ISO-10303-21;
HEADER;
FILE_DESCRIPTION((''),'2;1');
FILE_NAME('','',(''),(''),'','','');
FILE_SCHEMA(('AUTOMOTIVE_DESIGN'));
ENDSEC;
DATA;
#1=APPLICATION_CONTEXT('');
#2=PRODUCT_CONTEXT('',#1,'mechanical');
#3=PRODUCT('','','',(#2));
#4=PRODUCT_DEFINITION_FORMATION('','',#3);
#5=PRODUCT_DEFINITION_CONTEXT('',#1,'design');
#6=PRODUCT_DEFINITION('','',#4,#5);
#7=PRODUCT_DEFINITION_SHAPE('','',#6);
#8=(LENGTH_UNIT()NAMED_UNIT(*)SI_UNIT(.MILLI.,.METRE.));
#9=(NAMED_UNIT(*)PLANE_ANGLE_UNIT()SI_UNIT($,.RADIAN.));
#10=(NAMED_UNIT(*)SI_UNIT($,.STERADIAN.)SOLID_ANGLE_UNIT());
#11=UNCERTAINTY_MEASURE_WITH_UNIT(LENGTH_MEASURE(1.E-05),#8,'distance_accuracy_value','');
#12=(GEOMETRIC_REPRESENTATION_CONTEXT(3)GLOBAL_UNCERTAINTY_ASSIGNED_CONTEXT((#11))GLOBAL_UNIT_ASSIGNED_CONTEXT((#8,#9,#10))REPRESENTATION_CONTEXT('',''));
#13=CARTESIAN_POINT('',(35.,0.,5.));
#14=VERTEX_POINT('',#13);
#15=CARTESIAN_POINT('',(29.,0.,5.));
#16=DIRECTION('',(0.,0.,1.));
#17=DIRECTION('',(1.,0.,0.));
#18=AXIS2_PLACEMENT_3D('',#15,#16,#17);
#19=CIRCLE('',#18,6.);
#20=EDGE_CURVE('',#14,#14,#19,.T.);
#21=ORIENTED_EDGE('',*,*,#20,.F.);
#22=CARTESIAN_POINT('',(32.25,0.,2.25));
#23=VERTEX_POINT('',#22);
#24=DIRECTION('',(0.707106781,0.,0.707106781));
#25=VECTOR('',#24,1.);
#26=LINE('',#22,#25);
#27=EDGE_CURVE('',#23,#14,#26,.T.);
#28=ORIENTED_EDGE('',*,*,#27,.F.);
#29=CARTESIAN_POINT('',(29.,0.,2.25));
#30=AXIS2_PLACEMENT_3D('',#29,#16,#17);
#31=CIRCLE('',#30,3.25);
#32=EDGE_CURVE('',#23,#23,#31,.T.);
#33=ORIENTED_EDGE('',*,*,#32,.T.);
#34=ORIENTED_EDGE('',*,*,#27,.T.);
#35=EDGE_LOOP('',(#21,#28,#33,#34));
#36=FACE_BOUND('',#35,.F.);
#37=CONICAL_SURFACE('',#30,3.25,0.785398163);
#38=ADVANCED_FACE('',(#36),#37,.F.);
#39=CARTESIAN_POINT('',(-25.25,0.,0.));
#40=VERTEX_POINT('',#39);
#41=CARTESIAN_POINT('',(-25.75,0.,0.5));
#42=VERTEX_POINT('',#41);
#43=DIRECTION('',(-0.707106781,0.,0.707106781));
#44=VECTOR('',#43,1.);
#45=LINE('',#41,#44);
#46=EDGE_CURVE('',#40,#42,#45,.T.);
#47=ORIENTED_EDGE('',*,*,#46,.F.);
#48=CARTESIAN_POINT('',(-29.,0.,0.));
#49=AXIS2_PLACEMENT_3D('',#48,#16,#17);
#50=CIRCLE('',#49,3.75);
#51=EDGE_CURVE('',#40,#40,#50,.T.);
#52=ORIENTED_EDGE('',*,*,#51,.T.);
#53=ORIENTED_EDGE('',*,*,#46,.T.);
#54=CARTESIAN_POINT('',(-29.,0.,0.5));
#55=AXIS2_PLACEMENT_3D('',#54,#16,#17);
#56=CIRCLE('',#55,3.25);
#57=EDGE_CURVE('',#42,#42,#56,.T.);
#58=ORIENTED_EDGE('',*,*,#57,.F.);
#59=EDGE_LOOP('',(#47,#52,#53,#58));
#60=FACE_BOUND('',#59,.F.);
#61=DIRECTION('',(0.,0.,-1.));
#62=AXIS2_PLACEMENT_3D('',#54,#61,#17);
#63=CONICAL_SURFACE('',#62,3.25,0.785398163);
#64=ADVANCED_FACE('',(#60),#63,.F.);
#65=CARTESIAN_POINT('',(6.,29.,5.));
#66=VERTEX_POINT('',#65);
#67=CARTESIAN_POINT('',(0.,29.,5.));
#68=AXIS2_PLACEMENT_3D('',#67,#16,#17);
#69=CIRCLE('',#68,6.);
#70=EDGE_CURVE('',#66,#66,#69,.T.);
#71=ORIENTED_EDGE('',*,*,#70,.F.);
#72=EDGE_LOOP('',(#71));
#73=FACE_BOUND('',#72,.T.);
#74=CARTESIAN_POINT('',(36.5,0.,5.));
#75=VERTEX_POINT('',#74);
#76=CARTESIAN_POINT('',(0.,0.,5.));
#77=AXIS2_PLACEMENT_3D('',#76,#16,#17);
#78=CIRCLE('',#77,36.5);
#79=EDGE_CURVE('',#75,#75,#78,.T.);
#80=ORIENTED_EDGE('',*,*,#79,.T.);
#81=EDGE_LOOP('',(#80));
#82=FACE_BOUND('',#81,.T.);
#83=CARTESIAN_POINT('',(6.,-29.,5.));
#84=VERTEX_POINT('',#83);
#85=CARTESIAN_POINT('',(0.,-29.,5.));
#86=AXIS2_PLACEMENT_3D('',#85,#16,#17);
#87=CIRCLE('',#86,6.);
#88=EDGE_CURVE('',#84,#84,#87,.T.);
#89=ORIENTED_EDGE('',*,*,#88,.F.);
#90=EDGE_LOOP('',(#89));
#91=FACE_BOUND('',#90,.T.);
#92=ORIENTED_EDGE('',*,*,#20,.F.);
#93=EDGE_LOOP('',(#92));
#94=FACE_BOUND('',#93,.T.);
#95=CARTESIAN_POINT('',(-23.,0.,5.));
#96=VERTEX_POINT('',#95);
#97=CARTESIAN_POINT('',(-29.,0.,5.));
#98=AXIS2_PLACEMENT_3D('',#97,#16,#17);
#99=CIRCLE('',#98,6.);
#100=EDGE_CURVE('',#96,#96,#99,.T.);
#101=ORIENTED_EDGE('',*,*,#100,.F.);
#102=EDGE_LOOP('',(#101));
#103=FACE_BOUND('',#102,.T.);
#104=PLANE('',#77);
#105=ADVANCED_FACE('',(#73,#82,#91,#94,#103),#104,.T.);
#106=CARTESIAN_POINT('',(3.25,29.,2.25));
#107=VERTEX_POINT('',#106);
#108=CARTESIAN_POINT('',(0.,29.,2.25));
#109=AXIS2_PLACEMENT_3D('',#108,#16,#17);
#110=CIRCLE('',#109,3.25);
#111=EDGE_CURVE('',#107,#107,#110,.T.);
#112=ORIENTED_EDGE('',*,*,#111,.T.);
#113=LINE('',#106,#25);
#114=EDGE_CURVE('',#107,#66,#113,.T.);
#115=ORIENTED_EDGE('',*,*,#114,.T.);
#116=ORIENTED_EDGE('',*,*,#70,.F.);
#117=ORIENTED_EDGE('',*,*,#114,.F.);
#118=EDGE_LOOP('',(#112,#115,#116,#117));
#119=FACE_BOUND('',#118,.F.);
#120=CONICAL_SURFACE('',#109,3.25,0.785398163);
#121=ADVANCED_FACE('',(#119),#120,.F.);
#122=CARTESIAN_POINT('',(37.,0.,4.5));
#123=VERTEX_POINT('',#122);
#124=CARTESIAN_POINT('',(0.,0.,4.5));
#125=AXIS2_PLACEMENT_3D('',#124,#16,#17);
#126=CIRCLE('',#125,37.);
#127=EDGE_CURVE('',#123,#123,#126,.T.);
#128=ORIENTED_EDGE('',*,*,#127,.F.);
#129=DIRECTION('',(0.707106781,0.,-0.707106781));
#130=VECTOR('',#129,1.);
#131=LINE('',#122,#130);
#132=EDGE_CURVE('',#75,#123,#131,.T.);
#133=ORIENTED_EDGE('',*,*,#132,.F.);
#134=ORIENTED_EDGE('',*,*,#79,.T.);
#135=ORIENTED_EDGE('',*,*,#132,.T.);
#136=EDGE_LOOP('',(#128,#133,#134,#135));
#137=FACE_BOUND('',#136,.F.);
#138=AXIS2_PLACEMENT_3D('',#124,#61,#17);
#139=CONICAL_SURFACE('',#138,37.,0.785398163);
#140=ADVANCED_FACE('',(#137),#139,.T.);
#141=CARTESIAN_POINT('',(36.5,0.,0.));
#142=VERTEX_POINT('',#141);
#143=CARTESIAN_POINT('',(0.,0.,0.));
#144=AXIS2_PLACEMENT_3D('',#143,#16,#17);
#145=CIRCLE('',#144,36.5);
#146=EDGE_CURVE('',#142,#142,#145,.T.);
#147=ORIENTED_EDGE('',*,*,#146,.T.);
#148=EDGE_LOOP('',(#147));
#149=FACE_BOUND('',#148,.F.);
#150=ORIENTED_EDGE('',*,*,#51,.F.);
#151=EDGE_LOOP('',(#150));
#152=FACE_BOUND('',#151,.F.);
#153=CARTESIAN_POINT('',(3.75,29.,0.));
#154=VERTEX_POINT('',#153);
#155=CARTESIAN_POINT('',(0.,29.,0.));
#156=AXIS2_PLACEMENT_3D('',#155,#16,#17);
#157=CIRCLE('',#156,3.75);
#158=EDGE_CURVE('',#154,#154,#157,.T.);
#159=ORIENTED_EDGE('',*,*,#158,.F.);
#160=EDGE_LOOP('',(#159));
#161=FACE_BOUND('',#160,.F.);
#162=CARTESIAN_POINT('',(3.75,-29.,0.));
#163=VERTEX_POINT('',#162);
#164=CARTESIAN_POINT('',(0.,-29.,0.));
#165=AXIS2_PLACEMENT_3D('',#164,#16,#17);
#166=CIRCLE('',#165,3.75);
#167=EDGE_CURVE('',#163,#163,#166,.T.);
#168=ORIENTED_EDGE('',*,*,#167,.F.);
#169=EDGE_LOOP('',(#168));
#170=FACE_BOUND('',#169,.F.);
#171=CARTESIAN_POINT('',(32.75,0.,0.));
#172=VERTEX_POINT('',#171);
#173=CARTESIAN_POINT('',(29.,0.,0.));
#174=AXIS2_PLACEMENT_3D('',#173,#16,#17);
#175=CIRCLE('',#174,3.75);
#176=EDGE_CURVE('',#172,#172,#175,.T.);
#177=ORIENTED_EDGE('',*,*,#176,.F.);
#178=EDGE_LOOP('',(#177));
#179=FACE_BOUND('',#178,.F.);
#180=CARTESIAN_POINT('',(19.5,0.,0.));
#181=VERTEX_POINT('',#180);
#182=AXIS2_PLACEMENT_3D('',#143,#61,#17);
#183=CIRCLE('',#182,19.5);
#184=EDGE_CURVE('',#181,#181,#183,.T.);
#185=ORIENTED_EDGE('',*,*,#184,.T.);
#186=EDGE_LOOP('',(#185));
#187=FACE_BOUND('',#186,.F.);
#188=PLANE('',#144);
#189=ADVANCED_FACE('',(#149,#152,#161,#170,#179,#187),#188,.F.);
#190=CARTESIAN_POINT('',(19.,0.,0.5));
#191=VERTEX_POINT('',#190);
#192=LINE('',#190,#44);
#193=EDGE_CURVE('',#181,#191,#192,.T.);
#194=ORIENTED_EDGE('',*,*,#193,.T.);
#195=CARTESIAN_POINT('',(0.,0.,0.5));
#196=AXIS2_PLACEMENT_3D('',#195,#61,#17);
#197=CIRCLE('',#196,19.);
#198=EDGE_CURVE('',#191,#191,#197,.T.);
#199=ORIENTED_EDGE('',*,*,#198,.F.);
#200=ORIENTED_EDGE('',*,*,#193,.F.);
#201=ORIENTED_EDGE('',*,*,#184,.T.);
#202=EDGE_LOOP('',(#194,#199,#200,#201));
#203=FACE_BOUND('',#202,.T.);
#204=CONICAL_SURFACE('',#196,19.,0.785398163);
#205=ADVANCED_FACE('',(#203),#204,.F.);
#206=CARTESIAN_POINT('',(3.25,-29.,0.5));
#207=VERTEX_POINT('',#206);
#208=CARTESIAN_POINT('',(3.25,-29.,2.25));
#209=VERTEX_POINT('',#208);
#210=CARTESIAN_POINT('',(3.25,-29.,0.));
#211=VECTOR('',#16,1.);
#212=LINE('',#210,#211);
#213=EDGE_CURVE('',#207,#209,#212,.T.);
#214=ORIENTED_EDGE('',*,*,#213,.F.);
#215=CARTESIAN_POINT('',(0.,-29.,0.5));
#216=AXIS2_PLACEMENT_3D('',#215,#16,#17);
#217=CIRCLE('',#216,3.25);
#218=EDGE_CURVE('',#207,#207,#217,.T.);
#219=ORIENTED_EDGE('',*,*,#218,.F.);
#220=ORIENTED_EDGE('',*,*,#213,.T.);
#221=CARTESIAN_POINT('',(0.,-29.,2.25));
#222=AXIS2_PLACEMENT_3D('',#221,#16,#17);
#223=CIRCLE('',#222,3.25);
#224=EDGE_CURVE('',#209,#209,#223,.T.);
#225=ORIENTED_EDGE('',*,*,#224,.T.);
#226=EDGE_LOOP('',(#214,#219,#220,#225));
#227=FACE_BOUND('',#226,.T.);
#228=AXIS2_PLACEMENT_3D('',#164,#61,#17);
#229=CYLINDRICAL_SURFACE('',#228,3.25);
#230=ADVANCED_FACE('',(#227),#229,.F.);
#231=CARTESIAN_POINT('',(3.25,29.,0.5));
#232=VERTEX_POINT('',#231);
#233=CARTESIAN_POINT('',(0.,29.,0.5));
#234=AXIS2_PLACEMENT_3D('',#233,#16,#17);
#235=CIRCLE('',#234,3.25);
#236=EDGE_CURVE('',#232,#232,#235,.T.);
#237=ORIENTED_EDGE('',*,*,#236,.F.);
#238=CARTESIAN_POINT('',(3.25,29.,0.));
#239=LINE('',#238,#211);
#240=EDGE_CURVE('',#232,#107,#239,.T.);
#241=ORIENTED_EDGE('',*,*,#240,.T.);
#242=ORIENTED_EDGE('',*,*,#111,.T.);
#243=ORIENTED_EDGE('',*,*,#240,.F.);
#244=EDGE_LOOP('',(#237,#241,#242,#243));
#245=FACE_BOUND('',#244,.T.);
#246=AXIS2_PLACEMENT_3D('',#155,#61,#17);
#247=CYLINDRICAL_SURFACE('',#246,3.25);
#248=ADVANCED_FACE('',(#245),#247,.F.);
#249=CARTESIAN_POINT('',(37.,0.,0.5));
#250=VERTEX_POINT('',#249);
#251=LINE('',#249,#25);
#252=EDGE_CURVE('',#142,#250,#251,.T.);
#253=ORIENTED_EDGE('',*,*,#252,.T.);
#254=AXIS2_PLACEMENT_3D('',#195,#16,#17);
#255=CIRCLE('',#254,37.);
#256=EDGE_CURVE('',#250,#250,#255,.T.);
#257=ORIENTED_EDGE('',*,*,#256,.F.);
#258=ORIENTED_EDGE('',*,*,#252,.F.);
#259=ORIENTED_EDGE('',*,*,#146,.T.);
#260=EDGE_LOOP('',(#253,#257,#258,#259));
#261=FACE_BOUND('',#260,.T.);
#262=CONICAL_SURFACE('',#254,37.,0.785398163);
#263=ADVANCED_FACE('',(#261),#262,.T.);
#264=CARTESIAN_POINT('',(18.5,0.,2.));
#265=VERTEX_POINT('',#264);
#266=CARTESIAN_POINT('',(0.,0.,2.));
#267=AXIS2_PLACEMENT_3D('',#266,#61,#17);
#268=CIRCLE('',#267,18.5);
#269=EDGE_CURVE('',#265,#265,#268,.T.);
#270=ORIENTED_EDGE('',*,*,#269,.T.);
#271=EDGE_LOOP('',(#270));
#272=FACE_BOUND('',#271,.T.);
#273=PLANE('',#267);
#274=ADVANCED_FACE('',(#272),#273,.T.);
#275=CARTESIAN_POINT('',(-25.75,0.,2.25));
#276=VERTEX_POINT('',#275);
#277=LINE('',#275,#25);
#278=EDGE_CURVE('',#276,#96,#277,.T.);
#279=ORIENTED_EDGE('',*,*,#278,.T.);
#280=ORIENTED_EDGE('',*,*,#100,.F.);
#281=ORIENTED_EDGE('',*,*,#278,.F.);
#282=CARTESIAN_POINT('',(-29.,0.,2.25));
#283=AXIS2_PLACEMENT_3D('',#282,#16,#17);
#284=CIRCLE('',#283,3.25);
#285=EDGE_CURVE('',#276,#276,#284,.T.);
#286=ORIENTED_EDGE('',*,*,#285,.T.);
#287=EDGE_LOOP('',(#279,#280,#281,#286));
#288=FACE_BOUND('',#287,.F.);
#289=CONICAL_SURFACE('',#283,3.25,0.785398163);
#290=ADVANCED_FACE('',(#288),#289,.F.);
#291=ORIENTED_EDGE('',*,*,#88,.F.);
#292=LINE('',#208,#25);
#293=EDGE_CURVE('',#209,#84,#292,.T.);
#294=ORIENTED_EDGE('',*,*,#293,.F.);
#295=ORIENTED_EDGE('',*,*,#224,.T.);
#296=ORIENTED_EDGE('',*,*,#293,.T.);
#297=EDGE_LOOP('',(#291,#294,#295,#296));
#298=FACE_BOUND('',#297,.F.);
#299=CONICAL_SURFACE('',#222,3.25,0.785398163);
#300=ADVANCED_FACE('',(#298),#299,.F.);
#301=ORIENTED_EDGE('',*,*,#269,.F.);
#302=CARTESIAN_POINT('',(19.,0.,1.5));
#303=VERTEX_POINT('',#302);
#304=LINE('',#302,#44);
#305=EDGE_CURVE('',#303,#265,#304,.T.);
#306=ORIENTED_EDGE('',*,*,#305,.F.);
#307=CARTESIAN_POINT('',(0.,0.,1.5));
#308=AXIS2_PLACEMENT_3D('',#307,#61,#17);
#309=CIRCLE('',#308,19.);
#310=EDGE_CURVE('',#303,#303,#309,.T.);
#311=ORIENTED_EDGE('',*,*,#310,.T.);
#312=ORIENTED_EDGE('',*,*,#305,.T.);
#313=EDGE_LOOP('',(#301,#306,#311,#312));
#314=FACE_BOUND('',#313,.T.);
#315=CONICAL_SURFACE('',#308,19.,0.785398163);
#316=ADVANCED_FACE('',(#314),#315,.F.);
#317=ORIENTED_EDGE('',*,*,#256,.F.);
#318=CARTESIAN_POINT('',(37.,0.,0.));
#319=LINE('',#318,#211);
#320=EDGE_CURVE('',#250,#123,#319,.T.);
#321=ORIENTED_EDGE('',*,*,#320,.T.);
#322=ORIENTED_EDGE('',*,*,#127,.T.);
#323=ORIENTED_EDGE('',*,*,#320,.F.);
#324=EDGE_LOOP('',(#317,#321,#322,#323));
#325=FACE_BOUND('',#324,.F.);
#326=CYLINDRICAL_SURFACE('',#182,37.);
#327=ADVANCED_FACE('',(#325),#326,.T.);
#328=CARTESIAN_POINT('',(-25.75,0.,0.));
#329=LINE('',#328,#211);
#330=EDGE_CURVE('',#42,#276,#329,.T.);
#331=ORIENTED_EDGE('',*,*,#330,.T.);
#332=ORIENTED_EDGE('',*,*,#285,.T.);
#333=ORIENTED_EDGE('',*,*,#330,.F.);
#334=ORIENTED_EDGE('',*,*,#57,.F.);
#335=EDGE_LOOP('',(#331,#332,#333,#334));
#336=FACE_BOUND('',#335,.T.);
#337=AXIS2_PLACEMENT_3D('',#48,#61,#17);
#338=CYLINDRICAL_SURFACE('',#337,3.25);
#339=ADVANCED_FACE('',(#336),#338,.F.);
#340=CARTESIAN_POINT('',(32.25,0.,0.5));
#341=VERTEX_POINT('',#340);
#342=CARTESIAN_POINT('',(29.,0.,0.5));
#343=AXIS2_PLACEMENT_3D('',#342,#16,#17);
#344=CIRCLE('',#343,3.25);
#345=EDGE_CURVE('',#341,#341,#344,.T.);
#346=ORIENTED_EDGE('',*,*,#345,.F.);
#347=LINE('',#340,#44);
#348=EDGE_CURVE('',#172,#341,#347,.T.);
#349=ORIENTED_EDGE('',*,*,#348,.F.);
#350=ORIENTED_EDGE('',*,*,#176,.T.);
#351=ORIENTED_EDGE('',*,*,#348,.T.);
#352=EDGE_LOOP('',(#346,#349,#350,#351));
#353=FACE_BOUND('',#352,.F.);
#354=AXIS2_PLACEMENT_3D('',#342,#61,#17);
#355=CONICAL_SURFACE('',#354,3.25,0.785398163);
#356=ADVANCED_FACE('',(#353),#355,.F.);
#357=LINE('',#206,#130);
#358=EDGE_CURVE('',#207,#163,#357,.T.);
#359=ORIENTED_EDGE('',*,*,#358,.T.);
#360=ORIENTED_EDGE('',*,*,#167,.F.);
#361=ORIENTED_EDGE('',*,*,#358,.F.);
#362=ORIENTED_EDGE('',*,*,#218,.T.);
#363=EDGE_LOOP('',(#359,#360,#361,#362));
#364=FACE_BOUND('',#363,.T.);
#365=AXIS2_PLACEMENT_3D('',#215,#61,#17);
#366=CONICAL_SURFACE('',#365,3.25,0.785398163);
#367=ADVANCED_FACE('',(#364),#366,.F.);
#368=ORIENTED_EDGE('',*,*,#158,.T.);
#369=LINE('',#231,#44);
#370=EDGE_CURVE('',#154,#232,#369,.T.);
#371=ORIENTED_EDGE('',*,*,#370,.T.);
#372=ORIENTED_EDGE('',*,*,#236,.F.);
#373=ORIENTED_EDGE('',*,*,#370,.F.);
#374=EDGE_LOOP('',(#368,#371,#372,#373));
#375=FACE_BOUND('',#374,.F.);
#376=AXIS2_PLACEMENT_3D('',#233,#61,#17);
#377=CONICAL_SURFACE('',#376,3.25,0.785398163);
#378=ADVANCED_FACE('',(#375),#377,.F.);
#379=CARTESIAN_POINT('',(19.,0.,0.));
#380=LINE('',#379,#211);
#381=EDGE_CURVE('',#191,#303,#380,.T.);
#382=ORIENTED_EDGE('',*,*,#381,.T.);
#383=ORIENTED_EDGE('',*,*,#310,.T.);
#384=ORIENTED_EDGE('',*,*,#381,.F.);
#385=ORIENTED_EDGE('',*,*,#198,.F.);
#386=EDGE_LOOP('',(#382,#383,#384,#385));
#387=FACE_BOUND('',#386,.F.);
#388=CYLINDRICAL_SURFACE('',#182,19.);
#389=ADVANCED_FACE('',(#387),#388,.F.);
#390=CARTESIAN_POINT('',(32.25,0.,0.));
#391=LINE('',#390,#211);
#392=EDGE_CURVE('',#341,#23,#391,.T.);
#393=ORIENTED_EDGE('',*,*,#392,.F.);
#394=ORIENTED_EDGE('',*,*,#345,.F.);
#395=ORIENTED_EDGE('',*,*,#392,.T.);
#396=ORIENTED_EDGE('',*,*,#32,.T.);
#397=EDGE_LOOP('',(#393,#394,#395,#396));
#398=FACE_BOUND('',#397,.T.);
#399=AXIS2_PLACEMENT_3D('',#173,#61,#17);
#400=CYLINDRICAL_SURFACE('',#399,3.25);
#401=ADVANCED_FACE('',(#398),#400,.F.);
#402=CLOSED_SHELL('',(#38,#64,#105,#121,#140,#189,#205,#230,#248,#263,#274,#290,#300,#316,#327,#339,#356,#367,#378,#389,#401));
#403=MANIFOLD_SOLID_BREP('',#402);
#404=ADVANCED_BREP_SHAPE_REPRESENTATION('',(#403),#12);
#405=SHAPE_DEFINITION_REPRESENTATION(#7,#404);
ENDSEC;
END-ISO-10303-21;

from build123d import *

# Parameters (mm, degrees)
F0_R     = 37
F0_R_2   = 3.25
F1_DEPTH = 5
F2_SIZE  = 2.75
F3_SIZE  = 0.5
F4_R     = 19
F5_DEPTH = 2
F6_SIZE  = 0.5


with BuildPart() as f1:
    # F0 (on Top) → F1 (new body)
    with BuildSketch(Plane.XY):
        Circle(F0_R)
        with Locations((0, -29)):
            Circle(F0_R_2, mode=Mode.SUBTRACT)
        with Locations((-29, 0)):
            Circle(F0_R_2, mode=Mode.SUBTRACT)
        with Locations((29, 0)):
            Circle(F0_R_2, mode=Mode.SUBTRACT)
        with Locations((0, 29)):
            Circle(F0_R_2, mode=Mode.SUBTRACT)
    extrude(amount=F1_DEPTH)

    # F2
    f2_edges = [f1.edges().sort_by_distance(p)[0] for p in [
        (-3.25, -29, 5),
        (-32.25, 0, 5),
        (-3.25, 29, 5),
        (25.75, 0, 5),
    ]]
    chamfer(f2_edges, length=F2_SIZE)

    # F3
    f3_edges = [f1.edges().sort_by_distance(p)[0] for p in [
        (37, 0, 2.5),
        (-37, 0, 0),
        (-37, 0, 5),
        (-3.25, -29, 0),
        (-32.25, 0, 0),
        (-3.25, 29, 0),
        (25.75, 0, 0),
    ]]
    chamfer(f3_edges, length=F3_SIZE)

    # F4 (on face) → F5 (cut)
    with BuildSketch(Plane(origin=(0, 0, 0), x_dir=(1, 0, 0), z_dir=(0, 0, -1))):
        Circle(F4_R)
    extrude(amount=-F5_DEPTH, mode=Mode.SUBTRACT)

    # F6
    f6_edges = [f1.edges().sort_by_distance(p)[0] for p in [
        (19, 0, 1),
        (-19, 0, 0),
        (-19, 0, 2),
    ]]
    chamfer(f6_edges, length=F6_SIZE)


solid = f1.part
